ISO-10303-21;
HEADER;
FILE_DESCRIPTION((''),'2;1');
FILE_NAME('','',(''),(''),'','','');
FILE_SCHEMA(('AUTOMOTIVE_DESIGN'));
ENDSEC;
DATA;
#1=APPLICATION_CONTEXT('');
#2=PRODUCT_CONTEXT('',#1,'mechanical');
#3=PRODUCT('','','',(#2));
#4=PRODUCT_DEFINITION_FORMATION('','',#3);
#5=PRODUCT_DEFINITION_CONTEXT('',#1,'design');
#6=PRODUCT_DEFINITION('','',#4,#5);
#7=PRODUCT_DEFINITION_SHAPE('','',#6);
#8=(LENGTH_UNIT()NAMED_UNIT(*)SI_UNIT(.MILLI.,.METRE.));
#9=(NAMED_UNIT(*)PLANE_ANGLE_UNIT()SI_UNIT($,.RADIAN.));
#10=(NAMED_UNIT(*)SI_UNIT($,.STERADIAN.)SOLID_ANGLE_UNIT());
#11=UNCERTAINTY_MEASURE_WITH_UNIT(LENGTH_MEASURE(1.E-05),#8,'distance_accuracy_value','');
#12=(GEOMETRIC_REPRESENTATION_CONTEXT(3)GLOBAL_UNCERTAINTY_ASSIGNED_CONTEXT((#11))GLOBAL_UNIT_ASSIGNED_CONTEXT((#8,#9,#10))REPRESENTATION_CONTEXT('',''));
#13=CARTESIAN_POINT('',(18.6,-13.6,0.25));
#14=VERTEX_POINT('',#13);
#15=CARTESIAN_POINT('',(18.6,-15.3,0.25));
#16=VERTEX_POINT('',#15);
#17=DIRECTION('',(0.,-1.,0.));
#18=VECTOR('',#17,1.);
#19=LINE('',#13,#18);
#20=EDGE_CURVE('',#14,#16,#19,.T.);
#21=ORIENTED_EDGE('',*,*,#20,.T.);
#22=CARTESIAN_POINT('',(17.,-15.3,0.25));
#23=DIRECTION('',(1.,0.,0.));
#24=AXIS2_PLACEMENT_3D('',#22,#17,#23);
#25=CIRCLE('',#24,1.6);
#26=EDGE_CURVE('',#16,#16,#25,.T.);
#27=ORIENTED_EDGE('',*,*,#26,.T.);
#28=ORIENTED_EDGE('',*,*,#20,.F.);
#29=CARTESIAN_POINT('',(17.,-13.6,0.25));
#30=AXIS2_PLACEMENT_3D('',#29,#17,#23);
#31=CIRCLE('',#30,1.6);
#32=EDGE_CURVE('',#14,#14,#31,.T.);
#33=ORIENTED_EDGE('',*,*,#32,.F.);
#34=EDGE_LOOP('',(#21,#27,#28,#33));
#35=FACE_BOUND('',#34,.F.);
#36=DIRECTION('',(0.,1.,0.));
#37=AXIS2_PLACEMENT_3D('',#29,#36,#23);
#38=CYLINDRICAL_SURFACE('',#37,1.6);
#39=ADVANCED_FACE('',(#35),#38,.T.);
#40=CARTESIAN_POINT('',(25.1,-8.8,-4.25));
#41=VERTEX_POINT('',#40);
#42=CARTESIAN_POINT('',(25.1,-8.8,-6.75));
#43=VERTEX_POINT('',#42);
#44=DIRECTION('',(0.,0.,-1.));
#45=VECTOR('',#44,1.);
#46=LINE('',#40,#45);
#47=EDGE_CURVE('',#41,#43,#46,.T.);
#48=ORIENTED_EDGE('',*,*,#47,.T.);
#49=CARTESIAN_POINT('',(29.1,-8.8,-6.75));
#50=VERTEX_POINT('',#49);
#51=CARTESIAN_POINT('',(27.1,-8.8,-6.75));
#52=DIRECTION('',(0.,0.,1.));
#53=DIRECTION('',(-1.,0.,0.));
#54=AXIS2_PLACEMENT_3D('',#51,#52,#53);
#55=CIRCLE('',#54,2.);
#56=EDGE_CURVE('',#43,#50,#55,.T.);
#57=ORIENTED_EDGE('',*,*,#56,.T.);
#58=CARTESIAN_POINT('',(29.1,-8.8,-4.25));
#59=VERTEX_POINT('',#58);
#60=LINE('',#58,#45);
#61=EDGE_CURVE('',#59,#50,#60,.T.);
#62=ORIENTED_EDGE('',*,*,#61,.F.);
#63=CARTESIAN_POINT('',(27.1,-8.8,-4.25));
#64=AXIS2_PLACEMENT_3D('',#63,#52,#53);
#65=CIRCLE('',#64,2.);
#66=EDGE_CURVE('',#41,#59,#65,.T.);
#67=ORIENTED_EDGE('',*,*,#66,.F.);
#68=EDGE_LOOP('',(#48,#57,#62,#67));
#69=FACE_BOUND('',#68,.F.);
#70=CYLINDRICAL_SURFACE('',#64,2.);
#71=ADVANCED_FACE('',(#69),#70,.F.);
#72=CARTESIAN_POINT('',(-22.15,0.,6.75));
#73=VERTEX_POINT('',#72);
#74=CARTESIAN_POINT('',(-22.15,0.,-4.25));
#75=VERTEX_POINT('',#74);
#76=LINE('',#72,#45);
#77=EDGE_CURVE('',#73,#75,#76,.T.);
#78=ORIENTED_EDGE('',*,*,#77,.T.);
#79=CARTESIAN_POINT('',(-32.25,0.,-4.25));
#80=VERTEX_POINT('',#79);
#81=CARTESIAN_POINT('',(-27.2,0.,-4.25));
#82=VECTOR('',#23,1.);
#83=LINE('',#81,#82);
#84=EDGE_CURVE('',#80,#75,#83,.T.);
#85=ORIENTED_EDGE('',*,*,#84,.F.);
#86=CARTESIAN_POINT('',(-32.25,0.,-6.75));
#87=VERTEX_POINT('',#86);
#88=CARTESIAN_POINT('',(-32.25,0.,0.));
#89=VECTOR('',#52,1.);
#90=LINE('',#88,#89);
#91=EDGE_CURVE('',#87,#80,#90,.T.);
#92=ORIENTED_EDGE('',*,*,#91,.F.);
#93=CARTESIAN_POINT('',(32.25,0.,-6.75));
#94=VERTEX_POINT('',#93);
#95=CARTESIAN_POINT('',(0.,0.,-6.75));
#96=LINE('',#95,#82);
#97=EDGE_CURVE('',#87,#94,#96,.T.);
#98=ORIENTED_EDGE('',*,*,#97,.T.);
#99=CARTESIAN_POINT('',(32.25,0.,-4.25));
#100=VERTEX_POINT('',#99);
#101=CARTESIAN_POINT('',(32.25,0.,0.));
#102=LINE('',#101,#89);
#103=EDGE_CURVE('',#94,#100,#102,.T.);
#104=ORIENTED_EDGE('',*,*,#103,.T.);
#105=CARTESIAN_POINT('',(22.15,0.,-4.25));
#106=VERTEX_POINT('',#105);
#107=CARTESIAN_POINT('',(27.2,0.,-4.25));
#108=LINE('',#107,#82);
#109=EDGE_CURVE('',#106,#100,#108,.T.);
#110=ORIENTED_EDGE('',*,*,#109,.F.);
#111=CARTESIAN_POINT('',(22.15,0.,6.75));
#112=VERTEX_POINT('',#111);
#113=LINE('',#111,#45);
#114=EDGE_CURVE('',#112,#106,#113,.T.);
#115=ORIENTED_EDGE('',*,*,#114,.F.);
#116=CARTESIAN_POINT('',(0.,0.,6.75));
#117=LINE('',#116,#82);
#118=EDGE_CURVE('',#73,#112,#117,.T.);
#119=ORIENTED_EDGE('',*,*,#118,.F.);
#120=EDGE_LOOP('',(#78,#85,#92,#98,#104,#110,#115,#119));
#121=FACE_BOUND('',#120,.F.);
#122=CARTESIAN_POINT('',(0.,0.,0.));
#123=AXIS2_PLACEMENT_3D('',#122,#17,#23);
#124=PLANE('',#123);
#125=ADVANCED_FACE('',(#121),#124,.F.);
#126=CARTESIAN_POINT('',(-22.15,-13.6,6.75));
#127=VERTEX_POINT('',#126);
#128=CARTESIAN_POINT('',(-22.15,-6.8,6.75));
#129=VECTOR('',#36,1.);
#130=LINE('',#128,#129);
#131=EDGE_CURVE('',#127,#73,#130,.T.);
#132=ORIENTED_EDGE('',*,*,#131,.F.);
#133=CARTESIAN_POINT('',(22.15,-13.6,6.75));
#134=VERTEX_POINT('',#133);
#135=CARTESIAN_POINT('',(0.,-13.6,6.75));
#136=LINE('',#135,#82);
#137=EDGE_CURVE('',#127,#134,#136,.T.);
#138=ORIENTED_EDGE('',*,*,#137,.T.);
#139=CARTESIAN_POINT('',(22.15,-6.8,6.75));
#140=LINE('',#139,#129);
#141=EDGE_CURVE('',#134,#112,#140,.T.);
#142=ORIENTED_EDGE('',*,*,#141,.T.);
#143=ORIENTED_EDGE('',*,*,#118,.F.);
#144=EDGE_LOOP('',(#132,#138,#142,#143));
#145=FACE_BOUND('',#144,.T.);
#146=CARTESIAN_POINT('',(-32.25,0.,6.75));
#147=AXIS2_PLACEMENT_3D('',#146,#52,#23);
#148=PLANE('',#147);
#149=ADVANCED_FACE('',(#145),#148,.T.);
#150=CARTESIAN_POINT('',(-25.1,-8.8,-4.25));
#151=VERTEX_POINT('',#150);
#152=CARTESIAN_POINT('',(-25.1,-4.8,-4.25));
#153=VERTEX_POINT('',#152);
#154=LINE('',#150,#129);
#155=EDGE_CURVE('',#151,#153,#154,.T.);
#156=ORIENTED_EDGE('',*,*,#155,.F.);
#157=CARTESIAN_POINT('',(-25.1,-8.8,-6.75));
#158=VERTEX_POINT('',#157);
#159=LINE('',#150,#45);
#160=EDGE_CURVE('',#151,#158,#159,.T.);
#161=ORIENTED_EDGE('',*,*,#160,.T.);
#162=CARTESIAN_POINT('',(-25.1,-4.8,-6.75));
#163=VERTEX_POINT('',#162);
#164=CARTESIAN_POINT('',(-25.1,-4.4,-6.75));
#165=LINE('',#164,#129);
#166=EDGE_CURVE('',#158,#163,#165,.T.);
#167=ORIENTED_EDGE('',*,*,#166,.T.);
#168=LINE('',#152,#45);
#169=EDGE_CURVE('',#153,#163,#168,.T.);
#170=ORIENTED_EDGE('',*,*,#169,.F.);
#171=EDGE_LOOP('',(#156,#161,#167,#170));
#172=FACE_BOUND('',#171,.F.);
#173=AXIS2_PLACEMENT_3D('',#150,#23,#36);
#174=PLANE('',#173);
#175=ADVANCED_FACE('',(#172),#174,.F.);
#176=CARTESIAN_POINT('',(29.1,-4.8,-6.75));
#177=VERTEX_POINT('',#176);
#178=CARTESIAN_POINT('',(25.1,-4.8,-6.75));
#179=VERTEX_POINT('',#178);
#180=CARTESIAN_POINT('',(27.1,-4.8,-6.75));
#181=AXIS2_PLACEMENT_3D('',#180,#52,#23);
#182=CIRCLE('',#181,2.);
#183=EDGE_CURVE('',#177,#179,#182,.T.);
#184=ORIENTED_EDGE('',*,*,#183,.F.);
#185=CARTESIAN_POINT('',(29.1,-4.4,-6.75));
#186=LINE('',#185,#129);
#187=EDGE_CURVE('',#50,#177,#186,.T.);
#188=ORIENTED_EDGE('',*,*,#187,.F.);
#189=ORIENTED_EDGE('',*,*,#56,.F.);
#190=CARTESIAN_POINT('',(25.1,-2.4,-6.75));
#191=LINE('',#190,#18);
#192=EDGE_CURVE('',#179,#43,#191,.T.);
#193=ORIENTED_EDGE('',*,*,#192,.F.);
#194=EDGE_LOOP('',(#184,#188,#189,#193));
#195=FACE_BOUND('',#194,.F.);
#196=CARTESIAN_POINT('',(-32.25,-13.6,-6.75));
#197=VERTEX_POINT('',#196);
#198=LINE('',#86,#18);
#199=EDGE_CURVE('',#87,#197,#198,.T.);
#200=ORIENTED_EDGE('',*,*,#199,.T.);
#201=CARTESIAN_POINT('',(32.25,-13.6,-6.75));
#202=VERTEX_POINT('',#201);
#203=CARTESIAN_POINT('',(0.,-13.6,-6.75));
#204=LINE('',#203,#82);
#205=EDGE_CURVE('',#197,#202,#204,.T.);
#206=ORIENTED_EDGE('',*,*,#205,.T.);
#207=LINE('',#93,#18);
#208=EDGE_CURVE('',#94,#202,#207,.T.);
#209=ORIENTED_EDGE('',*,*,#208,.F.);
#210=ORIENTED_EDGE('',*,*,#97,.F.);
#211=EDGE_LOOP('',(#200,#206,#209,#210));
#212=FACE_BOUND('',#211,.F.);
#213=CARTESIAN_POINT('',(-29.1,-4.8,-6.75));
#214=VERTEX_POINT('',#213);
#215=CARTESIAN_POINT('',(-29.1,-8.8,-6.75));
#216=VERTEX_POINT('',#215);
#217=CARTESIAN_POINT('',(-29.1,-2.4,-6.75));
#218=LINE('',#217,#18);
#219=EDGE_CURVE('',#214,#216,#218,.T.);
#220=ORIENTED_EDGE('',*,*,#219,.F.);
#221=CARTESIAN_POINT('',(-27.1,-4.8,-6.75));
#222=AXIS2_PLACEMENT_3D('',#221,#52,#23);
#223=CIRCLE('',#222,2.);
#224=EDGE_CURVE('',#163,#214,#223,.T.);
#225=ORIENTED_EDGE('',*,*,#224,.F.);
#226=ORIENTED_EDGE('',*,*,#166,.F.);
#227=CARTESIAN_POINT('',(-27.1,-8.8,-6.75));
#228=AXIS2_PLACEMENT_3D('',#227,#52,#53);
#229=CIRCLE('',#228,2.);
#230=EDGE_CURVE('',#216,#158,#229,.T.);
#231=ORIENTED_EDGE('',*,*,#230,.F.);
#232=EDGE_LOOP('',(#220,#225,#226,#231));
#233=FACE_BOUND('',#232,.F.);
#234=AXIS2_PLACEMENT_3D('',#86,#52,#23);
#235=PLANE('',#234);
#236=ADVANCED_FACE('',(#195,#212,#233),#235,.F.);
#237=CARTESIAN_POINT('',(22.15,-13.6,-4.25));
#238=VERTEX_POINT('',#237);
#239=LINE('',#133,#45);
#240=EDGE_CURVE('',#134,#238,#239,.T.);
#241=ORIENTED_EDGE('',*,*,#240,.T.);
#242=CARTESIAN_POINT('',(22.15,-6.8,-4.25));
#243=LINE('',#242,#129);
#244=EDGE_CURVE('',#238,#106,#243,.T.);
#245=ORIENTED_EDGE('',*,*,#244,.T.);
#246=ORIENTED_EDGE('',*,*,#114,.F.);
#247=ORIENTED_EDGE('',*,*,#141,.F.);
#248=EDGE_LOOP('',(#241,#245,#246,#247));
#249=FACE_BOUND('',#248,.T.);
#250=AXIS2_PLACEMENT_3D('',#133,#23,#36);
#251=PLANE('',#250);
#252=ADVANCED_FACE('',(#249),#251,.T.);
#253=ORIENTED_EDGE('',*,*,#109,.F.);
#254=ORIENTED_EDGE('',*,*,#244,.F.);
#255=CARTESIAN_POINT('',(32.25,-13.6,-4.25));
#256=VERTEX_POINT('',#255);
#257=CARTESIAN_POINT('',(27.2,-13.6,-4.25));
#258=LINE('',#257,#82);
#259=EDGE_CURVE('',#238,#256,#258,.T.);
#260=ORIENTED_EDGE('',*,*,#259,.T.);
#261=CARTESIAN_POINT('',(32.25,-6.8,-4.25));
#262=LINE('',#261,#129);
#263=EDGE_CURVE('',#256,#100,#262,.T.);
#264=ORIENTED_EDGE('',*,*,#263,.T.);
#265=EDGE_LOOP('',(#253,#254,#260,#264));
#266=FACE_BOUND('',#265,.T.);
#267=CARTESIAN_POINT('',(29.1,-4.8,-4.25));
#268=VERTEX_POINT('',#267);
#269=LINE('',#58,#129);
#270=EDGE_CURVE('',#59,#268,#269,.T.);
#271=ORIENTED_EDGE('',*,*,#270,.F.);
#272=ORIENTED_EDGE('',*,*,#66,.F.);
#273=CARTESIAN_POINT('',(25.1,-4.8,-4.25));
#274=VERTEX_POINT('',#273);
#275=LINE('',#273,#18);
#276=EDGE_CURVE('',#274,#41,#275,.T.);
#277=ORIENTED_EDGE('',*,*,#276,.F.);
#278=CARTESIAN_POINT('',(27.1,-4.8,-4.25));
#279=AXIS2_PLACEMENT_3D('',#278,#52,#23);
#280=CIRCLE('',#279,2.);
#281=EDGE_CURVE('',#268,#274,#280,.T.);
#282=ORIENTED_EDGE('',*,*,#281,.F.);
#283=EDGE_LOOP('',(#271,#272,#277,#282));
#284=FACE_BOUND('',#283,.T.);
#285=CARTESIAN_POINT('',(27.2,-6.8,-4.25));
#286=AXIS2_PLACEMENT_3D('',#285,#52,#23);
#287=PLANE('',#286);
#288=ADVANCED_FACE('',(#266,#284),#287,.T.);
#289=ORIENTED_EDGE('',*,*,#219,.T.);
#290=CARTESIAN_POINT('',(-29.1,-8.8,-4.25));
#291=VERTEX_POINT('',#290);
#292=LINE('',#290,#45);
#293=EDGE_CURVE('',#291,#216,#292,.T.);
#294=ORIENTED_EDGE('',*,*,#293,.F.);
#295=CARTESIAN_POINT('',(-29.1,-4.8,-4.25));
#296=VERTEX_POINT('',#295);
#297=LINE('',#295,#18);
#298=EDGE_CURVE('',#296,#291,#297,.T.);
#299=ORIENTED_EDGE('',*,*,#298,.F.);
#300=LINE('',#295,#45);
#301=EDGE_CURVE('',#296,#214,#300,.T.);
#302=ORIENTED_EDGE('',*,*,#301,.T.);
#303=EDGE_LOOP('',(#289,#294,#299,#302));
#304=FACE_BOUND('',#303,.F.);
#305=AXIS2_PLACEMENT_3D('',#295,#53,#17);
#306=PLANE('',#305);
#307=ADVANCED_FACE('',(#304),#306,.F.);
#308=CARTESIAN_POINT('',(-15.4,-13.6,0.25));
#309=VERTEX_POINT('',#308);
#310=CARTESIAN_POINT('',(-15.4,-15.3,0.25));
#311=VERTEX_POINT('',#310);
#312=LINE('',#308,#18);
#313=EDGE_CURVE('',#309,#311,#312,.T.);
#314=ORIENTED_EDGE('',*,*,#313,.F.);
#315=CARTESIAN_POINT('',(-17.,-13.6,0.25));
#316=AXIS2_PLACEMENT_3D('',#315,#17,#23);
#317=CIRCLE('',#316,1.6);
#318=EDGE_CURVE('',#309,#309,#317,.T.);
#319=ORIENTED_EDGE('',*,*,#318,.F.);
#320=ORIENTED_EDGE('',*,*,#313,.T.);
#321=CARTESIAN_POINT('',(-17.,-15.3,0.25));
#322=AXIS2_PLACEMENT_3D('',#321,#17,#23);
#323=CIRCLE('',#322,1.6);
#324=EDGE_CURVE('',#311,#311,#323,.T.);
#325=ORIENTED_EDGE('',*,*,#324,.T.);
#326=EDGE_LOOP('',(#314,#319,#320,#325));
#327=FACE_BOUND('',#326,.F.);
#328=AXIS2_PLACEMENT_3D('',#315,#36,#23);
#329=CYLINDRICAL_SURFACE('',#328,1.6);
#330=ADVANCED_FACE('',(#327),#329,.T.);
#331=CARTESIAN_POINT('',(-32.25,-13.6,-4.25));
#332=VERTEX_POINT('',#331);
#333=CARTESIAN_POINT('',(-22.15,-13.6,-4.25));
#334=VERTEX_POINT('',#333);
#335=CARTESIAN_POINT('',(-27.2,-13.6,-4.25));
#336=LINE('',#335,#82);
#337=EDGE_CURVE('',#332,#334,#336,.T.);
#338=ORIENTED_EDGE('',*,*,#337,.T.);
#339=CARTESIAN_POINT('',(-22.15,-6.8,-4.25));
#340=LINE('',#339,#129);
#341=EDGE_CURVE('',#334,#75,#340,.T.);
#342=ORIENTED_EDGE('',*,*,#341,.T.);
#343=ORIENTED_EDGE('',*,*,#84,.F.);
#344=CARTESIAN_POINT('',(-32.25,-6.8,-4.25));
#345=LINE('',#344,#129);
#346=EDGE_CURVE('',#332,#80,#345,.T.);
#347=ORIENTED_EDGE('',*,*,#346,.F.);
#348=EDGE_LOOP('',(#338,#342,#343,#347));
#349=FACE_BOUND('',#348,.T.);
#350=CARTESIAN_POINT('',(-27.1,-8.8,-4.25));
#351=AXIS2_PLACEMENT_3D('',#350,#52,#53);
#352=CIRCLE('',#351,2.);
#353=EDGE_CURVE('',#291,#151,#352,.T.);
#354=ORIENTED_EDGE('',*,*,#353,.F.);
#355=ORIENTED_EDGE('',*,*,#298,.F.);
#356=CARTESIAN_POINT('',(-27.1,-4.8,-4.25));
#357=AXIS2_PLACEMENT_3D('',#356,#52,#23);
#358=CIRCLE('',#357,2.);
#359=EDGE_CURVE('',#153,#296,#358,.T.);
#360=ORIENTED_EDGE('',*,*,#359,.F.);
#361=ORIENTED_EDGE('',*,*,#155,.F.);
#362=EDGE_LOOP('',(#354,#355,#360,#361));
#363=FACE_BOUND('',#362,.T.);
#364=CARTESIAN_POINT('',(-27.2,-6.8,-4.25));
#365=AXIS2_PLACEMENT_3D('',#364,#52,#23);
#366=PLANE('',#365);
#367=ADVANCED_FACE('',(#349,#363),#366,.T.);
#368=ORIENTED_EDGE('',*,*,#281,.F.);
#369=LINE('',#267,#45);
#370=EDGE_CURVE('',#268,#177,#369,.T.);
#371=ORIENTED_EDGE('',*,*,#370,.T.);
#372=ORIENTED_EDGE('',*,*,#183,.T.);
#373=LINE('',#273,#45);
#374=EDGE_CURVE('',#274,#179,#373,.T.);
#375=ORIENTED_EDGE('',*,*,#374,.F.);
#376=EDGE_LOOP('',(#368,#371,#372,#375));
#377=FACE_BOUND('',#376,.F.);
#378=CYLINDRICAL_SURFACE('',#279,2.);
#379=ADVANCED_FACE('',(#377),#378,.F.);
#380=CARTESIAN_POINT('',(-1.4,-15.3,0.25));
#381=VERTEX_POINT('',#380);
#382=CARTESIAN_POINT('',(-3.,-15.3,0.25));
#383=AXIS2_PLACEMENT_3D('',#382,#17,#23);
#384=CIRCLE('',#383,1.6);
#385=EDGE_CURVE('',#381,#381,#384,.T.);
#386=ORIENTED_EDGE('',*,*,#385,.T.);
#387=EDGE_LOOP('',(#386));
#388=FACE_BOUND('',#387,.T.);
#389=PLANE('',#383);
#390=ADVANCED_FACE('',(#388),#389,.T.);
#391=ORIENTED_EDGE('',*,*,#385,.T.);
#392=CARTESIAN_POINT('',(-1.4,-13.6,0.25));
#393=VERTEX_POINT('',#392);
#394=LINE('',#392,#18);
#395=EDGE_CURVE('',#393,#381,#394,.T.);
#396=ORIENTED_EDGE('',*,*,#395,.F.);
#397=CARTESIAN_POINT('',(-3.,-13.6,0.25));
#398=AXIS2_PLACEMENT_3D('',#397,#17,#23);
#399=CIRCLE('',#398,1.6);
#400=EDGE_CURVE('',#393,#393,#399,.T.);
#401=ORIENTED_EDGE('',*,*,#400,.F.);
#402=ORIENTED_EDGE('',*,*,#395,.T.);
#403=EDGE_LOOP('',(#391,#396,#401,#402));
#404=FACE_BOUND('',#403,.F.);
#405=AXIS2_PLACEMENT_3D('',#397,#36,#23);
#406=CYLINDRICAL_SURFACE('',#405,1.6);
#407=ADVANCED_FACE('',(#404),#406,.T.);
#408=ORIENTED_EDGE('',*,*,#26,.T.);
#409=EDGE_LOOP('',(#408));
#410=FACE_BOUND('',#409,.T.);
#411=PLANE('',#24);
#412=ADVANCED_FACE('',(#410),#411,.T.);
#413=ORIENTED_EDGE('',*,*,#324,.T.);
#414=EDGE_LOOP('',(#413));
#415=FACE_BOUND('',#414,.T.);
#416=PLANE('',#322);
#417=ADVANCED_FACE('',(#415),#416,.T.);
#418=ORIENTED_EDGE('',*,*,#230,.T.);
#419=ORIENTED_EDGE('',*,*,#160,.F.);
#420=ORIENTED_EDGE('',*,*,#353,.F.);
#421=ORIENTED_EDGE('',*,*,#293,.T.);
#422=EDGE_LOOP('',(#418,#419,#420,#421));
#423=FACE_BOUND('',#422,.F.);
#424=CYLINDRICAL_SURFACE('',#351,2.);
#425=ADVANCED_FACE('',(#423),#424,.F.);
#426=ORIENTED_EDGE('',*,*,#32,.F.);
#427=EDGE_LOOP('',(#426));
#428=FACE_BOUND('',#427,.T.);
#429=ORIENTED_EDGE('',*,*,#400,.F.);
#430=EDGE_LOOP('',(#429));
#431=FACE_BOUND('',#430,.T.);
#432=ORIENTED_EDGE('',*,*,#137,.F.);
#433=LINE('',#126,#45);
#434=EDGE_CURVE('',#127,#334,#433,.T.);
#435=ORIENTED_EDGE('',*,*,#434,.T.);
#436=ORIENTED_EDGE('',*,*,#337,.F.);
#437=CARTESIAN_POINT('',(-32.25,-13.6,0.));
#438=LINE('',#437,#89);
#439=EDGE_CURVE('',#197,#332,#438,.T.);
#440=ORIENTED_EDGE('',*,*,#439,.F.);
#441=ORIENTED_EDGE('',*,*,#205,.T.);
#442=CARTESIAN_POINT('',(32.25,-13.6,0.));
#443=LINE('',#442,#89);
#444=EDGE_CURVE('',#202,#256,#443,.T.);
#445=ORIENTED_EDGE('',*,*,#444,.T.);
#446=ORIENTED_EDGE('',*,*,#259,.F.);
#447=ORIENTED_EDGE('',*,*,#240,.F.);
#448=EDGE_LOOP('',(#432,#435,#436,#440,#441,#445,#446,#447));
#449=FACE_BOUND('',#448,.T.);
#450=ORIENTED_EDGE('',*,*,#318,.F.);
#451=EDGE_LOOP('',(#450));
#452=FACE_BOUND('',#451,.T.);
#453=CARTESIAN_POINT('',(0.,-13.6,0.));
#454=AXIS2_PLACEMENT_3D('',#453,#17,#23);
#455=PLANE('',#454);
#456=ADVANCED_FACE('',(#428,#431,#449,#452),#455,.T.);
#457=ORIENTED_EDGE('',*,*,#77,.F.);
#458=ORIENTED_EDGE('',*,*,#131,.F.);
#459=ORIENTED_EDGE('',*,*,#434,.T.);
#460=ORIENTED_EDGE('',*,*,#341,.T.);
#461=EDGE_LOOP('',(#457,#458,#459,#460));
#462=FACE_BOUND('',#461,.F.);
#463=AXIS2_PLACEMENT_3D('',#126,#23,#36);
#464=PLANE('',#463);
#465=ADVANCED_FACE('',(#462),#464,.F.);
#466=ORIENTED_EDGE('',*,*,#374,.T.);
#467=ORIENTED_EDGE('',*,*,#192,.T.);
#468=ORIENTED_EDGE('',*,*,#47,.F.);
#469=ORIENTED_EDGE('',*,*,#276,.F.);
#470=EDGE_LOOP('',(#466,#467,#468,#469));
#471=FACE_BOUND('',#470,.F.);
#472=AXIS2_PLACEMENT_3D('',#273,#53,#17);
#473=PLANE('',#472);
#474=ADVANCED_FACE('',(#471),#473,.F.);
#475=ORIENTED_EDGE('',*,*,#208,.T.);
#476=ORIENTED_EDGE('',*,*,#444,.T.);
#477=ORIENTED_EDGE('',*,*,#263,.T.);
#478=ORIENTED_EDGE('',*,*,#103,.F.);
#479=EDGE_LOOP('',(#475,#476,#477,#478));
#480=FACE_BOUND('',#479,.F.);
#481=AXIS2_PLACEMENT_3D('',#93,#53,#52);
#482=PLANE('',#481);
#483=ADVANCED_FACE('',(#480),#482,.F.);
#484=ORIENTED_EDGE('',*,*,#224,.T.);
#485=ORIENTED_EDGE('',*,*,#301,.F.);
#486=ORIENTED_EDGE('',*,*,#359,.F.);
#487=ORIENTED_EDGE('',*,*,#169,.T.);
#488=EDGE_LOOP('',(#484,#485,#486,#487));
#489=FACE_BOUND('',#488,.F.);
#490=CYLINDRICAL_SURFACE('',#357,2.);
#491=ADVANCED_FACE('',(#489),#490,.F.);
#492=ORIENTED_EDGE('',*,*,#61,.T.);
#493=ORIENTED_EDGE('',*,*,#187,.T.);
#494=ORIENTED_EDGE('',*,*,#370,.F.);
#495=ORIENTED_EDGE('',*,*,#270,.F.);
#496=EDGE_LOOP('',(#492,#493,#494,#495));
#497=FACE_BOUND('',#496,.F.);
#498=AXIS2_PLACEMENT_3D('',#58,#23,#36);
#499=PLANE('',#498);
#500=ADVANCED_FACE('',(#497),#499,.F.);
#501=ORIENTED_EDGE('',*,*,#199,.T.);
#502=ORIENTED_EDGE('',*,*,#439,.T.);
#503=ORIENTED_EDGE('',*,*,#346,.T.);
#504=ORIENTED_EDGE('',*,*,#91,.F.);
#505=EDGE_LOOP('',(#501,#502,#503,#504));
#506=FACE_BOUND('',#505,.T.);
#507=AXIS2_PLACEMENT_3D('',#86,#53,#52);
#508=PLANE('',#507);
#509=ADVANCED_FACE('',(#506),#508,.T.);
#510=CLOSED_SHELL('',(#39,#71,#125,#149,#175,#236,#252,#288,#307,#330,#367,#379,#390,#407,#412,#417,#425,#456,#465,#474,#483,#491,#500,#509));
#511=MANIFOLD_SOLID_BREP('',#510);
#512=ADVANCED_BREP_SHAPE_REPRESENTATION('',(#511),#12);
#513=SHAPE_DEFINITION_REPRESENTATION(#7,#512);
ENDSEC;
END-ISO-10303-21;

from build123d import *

# Parameters (mm, degrees)
F0_W     = 64.5
F0_H     = 13.5
F1_DEPTH = 13.6
F2_W     = 10.1
F2_H     = 13.6
F3_DEPTH = 11
F4_R     = 1.6
F5_DEPTH = 1.7
F7_DEPTH = 25


with BuildPart() as f1:
    # F0 (on Front) → F1 (new body)
    with BuildSketch(Plane.XZ):
        Rectangle(F0_W, F0_H)
    extrude(amount=F1_DEPTH)

    # F2 (on face) → F3 (cut)
    with BuildSketch(Plane.XY.offset(6.75)):
        with Locations((-27.2, -6.8)):
            Rectangle(F2_W, F2_H)
        with Locations((27.2, -6.8)):
            Rectangle(F2_W, F2_H)
    extrude(amount=-F3_DEPTH, mode=Mode.SUBTRACT)

    # F4 (on face) → F5 (join)
    with BuildSketch(Plane.XZ.offset(13.6)):
        with Locations((17, 0.25)):
            Circle(F4_R)
        with Locations((-3, 0.25)):
            Circle(F4_R)
        with Locations((-17, 0.25)):
            Circle(F4_R)
    extrude(amount=F5_DEPTH)

    # F6 (on face) → F7 (cut)
    with BuildSketch(Plane.XY.offset(-4.25)):
        with BuildLine():
            ThreePointArc((-25.1, -4.8), (-27.1, -2.8), (-29.1, -4.8))
            Line((-29.1, -4.8), (-29.1, -6.8))
            Line((-29.1, -6.8), (-29.1, -8.8))
            ThreePointArc((-29.1, -8.8), (-27.1, -10.8), (-25.1, -8.8))
            Line((-25.1, -8.8), (-25.1, -6.8))
            Line((-25.1, -6.8), (-25.1, -4.8))
        make_face()
        with BuildLine():
            Line((29.1, -8.8), (29.1, -4.8))
            ThreePointArc((29.1, -4.8), (27.1, -2.8), (25.1, -4.8))
            Line((25.1, -4.8), (25.1, -8.8))
            ThreePointArc((25.1, -8.8), (27.1, -10.8), (29.1, -8.8))
        make_face()
    extrude(amount=-F7_DEPTH, mode=Mode.SUBTRACT)


solid = f1.part
